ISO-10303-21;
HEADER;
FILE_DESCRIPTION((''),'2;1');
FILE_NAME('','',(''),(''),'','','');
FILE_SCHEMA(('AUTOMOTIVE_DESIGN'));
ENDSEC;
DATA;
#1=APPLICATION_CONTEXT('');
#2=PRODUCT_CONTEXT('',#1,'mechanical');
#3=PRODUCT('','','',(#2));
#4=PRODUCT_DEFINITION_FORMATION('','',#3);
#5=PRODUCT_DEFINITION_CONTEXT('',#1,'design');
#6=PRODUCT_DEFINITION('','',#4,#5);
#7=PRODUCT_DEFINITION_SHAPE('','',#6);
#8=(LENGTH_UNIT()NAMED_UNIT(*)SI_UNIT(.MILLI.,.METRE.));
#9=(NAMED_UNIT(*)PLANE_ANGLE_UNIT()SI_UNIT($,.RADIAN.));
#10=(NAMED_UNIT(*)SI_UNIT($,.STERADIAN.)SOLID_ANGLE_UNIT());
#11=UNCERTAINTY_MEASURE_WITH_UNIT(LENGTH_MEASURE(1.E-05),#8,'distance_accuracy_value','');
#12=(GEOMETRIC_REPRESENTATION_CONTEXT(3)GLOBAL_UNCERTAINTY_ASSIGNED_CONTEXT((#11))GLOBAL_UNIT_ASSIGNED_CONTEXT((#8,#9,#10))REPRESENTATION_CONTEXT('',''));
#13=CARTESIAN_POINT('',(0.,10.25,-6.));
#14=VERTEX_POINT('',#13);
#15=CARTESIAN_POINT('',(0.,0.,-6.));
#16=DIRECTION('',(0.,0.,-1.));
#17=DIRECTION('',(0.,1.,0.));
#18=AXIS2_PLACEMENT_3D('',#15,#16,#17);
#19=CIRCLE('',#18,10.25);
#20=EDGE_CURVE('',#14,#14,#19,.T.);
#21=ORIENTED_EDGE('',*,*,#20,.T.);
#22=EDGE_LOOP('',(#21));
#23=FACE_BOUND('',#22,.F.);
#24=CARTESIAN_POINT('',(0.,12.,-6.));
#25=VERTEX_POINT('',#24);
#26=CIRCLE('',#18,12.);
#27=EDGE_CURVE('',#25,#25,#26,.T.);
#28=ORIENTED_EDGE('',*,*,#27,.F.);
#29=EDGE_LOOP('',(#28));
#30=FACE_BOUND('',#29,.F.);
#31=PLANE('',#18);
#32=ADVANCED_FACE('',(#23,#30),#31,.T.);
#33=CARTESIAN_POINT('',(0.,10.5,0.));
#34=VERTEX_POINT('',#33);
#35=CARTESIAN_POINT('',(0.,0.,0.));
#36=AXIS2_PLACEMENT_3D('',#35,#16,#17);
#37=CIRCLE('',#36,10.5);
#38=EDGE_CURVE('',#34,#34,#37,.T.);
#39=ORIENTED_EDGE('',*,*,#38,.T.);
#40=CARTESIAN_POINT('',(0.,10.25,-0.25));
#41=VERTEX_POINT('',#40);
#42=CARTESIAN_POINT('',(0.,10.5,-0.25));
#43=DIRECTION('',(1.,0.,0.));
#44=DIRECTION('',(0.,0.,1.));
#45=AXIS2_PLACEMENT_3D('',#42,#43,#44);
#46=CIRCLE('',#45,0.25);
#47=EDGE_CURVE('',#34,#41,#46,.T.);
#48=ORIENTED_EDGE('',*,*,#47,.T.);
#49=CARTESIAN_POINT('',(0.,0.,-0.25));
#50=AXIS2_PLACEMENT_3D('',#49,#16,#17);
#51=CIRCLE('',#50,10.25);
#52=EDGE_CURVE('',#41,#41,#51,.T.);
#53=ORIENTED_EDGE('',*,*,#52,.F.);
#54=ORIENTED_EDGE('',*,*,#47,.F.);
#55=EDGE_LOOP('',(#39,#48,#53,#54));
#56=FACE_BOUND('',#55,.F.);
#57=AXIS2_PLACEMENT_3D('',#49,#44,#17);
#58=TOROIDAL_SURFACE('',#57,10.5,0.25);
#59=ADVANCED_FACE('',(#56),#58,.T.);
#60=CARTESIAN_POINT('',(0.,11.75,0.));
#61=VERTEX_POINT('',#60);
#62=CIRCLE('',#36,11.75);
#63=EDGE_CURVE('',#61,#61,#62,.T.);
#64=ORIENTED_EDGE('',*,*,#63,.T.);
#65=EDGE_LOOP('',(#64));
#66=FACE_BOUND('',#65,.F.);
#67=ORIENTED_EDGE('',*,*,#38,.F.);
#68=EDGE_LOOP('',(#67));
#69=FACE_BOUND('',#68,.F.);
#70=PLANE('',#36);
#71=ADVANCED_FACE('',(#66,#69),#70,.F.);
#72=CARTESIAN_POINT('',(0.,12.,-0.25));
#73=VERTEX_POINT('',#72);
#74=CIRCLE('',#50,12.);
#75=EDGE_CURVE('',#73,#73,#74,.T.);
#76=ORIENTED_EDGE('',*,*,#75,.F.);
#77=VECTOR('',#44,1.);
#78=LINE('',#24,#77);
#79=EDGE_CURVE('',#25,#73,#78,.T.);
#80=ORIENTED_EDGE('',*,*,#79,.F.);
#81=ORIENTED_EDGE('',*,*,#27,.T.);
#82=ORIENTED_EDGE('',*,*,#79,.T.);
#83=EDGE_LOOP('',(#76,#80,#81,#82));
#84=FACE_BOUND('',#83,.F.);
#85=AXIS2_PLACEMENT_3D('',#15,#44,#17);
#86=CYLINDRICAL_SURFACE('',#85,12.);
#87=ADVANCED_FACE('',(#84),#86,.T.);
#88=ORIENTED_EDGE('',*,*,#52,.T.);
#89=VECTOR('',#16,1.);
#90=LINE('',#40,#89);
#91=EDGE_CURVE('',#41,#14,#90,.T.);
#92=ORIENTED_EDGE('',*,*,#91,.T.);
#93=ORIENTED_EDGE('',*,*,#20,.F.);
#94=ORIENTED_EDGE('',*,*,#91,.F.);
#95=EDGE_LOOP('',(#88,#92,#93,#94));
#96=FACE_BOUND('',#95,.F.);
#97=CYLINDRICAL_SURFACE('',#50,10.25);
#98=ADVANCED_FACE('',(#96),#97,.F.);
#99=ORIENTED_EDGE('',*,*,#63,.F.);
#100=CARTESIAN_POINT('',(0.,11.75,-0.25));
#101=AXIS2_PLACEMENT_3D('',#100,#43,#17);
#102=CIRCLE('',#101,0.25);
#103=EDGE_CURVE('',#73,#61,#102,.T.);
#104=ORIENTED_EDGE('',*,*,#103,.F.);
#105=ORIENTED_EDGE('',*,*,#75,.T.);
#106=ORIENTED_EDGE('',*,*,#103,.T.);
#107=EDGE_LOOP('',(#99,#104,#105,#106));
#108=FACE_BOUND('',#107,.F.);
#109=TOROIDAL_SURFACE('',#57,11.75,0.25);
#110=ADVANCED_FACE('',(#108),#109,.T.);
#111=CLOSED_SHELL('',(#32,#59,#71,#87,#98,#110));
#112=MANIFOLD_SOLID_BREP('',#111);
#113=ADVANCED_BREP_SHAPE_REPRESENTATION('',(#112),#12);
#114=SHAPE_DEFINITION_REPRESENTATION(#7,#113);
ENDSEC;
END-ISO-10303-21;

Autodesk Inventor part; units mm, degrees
ref_plane "YZ Plane" through (0, 0, 0) normal (1, 0, 0) x (0, 1, 0)
ref_plane "XZ Plane" through (0, 0, 0) normal (0, 1, 0) x (-1, 0, 0)
ref_plane "XY Plane" through (0, 0, 0) normal (0, 0, 1) x (1, 0, 0)
sketch "Esquisse1" plane through (0, 0, 0) normal (1, 0, 0) x (0, 1, 0)
  line L0 (11.75, 0) -> (10.5, 0)
  line L1 (10.25, -0.25) -> (10.25, -6)
  line L2 (12, -6) -> (12, -0.25)
  line L3 (10, -0.25) -> (10, -17.5) construction
  line L4 (0, 2.9401) -> (0, -22.474)
  line L5 (10.25, -6) -> (12, -6)
  arc A0 (10.5, 0) -> (10.25, -0.25) centre (10.5, -0.25) ccw
  arc A1 (12, -0.25) -> (11.75, 0) centre (11.75, -0.25) ccw
  point P0 (0, 0)
  dimension "d4" = 20
  dimension "d5" = 0.25
  dimension "d6" = 24
  dimension "d30" = 6
  dimension "d63" = 0.25
  dimension "d64" = 0.25
revolve "Révolution1" add sketch "Esquisse1" angle 360 about axis through (0, 0, 2.9401) along (0, 0, -1)
equation "\"d64\" = d63"
properties part number "douille" material "Plastique ABS"
